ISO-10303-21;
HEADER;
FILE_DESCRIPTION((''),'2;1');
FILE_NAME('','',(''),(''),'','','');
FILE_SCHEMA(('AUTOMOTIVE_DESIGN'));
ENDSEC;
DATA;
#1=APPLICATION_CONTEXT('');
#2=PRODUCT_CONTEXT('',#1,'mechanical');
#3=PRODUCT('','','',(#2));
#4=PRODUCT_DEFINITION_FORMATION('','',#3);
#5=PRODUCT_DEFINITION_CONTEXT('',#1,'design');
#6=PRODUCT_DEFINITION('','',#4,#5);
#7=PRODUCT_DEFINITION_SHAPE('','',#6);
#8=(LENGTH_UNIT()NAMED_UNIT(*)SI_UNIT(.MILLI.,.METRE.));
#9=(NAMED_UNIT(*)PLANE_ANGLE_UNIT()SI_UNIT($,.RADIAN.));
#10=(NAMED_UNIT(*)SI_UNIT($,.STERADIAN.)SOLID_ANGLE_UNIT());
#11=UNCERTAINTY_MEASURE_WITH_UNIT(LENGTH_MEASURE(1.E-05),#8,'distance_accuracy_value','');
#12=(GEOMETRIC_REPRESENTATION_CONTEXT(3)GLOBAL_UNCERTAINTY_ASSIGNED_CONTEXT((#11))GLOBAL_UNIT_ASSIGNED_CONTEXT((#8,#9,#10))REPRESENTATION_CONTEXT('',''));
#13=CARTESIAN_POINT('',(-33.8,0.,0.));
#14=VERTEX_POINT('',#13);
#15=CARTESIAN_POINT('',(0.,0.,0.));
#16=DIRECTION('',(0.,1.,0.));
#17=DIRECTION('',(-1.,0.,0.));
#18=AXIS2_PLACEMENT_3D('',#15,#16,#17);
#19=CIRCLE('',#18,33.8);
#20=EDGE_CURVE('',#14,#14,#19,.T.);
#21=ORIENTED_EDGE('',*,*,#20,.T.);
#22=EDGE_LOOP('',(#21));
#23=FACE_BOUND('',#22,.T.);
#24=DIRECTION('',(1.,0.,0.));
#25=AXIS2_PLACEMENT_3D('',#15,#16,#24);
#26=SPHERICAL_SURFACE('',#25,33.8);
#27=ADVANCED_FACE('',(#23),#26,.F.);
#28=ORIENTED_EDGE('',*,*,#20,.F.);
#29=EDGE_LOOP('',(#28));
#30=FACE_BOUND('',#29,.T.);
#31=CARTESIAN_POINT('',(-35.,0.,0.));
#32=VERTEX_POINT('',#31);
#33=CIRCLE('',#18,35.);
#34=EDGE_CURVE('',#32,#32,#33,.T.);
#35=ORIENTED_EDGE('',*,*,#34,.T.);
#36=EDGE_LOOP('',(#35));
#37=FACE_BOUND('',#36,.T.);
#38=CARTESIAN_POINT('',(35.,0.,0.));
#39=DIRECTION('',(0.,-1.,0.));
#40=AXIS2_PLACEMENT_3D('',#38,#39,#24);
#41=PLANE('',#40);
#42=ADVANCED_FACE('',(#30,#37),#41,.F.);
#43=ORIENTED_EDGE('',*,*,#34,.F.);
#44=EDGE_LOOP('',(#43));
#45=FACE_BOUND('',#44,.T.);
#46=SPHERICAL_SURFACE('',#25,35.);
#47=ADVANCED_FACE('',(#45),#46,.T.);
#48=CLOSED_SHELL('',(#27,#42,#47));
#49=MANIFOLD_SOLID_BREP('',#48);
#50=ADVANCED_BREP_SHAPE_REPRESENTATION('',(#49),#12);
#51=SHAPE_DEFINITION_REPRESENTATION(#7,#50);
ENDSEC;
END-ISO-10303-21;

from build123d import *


with BuildPart() as part:
    # Sketch1 → Revolve4 (revolve)
    with BuildSketch(Plane.XY):
        with BuildLine():
            Line((35, 0), (33.8, 0))
            ThreePointArc((33.8, 0), (23.900209204, -23.900209204), (0, -33.8))
            Line((0, -33.8), (0, -35))
            ThreePointArc((0, -35), (24.748737342, -24.748737342), (35, 0))
        make_face()
    revolve(axis=Axis((0, 0, 0), (0, -1, 0)))


solid = part.part
